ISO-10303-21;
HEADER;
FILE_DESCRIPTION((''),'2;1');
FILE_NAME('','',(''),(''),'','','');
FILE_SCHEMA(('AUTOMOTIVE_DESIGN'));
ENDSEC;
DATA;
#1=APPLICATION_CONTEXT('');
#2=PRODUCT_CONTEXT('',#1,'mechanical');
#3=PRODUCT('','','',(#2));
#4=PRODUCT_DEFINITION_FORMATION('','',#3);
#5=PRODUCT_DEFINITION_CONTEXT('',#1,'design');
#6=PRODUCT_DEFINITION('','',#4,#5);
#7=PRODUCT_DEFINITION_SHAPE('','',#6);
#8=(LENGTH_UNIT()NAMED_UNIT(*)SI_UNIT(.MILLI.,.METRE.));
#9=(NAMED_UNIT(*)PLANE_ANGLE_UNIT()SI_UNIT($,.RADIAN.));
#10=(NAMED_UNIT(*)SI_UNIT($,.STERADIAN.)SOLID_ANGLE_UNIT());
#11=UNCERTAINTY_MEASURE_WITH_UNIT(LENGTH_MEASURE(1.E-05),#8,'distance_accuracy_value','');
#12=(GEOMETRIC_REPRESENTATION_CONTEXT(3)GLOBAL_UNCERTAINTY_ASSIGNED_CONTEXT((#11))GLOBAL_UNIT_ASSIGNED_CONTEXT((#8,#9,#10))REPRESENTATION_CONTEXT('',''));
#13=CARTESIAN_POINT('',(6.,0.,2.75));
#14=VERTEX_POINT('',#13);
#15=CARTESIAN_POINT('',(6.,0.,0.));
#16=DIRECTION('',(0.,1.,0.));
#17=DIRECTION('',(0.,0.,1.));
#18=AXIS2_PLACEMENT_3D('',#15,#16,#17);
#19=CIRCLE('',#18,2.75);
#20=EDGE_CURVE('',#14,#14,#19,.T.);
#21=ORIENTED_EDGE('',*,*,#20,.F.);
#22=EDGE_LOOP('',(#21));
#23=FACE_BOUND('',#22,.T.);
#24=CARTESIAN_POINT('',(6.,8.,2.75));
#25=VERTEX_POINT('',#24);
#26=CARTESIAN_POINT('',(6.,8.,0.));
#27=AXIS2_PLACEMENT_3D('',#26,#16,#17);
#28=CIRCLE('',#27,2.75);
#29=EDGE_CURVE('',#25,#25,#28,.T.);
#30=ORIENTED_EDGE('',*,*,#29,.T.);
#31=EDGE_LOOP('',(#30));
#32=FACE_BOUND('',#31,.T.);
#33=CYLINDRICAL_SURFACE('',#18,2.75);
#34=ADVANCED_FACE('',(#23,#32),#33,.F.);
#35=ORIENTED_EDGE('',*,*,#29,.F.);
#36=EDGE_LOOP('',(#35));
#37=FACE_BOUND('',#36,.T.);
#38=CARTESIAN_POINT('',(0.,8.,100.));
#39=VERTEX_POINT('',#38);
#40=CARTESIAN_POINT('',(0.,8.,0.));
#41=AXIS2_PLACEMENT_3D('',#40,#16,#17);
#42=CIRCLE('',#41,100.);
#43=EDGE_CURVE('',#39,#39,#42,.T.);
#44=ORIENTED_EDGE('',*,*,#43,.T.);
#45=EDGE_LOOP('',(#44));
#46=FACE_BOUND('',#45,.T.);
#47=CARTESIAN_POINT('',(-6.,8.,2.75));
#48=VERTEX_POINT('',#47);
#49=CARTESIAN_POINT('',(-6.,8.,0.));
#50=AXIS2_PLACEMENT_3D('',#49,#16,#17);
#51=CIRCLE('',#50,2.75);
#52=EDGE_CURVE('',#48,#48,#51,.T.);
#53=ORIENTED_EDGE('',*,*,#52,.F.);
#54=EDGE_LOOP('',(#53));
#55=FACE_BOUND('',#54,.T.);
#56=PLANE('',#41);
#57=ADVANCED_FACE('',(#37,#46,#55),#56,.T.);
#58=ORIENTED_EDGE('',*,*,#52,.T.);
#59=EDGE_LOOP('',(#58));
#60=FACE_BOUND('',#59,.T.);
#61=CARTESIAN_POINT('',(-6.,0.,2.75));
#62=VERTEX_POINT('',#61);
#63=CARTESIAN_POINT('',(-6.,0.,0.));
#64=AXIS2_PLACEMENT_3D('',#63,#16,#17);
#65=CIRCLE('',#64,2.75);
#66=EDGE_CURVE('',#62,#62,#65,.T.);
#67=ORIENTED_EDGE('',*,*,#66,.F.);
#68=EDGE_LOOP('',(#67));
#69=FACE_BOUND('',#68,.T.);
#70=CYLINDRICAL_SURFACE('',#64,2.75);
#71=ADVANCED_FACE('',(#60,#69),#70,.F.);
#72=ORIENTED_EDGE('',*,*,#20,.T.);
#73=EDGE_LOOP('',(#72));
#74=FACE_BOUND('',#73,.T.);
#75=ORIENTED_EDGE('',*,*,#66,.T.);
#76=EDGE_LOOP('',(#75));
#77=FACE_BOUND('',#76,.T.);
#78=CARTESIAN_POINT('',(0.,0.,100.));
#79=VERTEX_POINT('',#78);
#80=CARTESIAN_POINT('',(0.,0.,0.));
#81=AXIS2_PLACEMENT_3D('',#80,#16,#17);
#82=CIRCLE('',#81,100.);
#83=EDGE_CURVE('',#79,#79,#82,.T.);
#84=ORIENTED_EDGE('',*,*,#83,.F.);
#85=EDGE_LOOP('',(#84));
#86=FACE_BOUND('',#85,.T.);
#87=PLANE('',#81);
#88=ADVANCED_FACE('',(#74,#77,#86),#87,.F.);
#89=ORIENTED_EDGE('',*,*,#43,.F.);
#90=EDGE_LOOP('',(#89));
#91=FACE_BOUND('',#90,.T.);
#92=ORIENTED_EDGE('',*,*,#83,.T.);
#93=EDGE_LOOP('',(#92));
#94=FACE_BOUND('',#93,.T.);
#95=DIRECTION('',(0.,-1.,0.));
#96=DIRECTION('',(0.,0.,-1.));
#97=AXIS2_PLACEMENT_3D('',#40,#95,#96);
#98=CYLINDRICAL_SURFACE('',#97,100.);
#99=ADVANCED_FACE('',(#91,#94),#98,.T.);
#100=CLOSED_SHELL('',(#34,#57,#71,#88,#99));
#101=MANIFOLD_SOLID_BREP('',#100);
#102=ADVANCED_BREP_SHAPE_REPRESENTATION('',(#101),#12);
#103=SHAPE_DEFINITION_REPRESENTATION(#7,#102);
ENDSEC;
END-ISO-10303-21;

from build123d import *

# Parameters (mm, degrees)
SKETCH1_R           = 100
BOSS_EXTRUDE1_DEPTH = 8
SKETCH2_R           = 2.75
CUT_EXTRUDE1_DEPTH  = 8


with BuildPart() as part:
    # Sketch1 → Boss-Extrude1 (new body)
    with BuildSketch(Plane(origin=(0, 0, 0), x_dir=(1, 0, 0), z_dir=(0, 1, 0))):
        with Locations(Location((0, 0, 0), (0, 0, 270))):
            Circle(SKETCH1_R)
    extrude(amount=BOSS_EXTRUDE1_DEPTH)

    # Sketch2 → Cut-Extrude1 (cut)
    with BuildSketch(Plane(origin=(0, 8, 0), x_dir=(1, 0, 0), z_dir=(0, 1, 0))):
        with Locations(Location((6, 0, 0), (0, 0, 270))):
            Circle(SKETCH2_R)
        with Locations(Location((-6, 0, 0), (0, 0, 270))):
            Circle(SKETCH2_R)
    extrude(amount=-CUT_EXTRUDE1_DEPTH, mode=Mode.SUBTRACT)


solid = part.part
